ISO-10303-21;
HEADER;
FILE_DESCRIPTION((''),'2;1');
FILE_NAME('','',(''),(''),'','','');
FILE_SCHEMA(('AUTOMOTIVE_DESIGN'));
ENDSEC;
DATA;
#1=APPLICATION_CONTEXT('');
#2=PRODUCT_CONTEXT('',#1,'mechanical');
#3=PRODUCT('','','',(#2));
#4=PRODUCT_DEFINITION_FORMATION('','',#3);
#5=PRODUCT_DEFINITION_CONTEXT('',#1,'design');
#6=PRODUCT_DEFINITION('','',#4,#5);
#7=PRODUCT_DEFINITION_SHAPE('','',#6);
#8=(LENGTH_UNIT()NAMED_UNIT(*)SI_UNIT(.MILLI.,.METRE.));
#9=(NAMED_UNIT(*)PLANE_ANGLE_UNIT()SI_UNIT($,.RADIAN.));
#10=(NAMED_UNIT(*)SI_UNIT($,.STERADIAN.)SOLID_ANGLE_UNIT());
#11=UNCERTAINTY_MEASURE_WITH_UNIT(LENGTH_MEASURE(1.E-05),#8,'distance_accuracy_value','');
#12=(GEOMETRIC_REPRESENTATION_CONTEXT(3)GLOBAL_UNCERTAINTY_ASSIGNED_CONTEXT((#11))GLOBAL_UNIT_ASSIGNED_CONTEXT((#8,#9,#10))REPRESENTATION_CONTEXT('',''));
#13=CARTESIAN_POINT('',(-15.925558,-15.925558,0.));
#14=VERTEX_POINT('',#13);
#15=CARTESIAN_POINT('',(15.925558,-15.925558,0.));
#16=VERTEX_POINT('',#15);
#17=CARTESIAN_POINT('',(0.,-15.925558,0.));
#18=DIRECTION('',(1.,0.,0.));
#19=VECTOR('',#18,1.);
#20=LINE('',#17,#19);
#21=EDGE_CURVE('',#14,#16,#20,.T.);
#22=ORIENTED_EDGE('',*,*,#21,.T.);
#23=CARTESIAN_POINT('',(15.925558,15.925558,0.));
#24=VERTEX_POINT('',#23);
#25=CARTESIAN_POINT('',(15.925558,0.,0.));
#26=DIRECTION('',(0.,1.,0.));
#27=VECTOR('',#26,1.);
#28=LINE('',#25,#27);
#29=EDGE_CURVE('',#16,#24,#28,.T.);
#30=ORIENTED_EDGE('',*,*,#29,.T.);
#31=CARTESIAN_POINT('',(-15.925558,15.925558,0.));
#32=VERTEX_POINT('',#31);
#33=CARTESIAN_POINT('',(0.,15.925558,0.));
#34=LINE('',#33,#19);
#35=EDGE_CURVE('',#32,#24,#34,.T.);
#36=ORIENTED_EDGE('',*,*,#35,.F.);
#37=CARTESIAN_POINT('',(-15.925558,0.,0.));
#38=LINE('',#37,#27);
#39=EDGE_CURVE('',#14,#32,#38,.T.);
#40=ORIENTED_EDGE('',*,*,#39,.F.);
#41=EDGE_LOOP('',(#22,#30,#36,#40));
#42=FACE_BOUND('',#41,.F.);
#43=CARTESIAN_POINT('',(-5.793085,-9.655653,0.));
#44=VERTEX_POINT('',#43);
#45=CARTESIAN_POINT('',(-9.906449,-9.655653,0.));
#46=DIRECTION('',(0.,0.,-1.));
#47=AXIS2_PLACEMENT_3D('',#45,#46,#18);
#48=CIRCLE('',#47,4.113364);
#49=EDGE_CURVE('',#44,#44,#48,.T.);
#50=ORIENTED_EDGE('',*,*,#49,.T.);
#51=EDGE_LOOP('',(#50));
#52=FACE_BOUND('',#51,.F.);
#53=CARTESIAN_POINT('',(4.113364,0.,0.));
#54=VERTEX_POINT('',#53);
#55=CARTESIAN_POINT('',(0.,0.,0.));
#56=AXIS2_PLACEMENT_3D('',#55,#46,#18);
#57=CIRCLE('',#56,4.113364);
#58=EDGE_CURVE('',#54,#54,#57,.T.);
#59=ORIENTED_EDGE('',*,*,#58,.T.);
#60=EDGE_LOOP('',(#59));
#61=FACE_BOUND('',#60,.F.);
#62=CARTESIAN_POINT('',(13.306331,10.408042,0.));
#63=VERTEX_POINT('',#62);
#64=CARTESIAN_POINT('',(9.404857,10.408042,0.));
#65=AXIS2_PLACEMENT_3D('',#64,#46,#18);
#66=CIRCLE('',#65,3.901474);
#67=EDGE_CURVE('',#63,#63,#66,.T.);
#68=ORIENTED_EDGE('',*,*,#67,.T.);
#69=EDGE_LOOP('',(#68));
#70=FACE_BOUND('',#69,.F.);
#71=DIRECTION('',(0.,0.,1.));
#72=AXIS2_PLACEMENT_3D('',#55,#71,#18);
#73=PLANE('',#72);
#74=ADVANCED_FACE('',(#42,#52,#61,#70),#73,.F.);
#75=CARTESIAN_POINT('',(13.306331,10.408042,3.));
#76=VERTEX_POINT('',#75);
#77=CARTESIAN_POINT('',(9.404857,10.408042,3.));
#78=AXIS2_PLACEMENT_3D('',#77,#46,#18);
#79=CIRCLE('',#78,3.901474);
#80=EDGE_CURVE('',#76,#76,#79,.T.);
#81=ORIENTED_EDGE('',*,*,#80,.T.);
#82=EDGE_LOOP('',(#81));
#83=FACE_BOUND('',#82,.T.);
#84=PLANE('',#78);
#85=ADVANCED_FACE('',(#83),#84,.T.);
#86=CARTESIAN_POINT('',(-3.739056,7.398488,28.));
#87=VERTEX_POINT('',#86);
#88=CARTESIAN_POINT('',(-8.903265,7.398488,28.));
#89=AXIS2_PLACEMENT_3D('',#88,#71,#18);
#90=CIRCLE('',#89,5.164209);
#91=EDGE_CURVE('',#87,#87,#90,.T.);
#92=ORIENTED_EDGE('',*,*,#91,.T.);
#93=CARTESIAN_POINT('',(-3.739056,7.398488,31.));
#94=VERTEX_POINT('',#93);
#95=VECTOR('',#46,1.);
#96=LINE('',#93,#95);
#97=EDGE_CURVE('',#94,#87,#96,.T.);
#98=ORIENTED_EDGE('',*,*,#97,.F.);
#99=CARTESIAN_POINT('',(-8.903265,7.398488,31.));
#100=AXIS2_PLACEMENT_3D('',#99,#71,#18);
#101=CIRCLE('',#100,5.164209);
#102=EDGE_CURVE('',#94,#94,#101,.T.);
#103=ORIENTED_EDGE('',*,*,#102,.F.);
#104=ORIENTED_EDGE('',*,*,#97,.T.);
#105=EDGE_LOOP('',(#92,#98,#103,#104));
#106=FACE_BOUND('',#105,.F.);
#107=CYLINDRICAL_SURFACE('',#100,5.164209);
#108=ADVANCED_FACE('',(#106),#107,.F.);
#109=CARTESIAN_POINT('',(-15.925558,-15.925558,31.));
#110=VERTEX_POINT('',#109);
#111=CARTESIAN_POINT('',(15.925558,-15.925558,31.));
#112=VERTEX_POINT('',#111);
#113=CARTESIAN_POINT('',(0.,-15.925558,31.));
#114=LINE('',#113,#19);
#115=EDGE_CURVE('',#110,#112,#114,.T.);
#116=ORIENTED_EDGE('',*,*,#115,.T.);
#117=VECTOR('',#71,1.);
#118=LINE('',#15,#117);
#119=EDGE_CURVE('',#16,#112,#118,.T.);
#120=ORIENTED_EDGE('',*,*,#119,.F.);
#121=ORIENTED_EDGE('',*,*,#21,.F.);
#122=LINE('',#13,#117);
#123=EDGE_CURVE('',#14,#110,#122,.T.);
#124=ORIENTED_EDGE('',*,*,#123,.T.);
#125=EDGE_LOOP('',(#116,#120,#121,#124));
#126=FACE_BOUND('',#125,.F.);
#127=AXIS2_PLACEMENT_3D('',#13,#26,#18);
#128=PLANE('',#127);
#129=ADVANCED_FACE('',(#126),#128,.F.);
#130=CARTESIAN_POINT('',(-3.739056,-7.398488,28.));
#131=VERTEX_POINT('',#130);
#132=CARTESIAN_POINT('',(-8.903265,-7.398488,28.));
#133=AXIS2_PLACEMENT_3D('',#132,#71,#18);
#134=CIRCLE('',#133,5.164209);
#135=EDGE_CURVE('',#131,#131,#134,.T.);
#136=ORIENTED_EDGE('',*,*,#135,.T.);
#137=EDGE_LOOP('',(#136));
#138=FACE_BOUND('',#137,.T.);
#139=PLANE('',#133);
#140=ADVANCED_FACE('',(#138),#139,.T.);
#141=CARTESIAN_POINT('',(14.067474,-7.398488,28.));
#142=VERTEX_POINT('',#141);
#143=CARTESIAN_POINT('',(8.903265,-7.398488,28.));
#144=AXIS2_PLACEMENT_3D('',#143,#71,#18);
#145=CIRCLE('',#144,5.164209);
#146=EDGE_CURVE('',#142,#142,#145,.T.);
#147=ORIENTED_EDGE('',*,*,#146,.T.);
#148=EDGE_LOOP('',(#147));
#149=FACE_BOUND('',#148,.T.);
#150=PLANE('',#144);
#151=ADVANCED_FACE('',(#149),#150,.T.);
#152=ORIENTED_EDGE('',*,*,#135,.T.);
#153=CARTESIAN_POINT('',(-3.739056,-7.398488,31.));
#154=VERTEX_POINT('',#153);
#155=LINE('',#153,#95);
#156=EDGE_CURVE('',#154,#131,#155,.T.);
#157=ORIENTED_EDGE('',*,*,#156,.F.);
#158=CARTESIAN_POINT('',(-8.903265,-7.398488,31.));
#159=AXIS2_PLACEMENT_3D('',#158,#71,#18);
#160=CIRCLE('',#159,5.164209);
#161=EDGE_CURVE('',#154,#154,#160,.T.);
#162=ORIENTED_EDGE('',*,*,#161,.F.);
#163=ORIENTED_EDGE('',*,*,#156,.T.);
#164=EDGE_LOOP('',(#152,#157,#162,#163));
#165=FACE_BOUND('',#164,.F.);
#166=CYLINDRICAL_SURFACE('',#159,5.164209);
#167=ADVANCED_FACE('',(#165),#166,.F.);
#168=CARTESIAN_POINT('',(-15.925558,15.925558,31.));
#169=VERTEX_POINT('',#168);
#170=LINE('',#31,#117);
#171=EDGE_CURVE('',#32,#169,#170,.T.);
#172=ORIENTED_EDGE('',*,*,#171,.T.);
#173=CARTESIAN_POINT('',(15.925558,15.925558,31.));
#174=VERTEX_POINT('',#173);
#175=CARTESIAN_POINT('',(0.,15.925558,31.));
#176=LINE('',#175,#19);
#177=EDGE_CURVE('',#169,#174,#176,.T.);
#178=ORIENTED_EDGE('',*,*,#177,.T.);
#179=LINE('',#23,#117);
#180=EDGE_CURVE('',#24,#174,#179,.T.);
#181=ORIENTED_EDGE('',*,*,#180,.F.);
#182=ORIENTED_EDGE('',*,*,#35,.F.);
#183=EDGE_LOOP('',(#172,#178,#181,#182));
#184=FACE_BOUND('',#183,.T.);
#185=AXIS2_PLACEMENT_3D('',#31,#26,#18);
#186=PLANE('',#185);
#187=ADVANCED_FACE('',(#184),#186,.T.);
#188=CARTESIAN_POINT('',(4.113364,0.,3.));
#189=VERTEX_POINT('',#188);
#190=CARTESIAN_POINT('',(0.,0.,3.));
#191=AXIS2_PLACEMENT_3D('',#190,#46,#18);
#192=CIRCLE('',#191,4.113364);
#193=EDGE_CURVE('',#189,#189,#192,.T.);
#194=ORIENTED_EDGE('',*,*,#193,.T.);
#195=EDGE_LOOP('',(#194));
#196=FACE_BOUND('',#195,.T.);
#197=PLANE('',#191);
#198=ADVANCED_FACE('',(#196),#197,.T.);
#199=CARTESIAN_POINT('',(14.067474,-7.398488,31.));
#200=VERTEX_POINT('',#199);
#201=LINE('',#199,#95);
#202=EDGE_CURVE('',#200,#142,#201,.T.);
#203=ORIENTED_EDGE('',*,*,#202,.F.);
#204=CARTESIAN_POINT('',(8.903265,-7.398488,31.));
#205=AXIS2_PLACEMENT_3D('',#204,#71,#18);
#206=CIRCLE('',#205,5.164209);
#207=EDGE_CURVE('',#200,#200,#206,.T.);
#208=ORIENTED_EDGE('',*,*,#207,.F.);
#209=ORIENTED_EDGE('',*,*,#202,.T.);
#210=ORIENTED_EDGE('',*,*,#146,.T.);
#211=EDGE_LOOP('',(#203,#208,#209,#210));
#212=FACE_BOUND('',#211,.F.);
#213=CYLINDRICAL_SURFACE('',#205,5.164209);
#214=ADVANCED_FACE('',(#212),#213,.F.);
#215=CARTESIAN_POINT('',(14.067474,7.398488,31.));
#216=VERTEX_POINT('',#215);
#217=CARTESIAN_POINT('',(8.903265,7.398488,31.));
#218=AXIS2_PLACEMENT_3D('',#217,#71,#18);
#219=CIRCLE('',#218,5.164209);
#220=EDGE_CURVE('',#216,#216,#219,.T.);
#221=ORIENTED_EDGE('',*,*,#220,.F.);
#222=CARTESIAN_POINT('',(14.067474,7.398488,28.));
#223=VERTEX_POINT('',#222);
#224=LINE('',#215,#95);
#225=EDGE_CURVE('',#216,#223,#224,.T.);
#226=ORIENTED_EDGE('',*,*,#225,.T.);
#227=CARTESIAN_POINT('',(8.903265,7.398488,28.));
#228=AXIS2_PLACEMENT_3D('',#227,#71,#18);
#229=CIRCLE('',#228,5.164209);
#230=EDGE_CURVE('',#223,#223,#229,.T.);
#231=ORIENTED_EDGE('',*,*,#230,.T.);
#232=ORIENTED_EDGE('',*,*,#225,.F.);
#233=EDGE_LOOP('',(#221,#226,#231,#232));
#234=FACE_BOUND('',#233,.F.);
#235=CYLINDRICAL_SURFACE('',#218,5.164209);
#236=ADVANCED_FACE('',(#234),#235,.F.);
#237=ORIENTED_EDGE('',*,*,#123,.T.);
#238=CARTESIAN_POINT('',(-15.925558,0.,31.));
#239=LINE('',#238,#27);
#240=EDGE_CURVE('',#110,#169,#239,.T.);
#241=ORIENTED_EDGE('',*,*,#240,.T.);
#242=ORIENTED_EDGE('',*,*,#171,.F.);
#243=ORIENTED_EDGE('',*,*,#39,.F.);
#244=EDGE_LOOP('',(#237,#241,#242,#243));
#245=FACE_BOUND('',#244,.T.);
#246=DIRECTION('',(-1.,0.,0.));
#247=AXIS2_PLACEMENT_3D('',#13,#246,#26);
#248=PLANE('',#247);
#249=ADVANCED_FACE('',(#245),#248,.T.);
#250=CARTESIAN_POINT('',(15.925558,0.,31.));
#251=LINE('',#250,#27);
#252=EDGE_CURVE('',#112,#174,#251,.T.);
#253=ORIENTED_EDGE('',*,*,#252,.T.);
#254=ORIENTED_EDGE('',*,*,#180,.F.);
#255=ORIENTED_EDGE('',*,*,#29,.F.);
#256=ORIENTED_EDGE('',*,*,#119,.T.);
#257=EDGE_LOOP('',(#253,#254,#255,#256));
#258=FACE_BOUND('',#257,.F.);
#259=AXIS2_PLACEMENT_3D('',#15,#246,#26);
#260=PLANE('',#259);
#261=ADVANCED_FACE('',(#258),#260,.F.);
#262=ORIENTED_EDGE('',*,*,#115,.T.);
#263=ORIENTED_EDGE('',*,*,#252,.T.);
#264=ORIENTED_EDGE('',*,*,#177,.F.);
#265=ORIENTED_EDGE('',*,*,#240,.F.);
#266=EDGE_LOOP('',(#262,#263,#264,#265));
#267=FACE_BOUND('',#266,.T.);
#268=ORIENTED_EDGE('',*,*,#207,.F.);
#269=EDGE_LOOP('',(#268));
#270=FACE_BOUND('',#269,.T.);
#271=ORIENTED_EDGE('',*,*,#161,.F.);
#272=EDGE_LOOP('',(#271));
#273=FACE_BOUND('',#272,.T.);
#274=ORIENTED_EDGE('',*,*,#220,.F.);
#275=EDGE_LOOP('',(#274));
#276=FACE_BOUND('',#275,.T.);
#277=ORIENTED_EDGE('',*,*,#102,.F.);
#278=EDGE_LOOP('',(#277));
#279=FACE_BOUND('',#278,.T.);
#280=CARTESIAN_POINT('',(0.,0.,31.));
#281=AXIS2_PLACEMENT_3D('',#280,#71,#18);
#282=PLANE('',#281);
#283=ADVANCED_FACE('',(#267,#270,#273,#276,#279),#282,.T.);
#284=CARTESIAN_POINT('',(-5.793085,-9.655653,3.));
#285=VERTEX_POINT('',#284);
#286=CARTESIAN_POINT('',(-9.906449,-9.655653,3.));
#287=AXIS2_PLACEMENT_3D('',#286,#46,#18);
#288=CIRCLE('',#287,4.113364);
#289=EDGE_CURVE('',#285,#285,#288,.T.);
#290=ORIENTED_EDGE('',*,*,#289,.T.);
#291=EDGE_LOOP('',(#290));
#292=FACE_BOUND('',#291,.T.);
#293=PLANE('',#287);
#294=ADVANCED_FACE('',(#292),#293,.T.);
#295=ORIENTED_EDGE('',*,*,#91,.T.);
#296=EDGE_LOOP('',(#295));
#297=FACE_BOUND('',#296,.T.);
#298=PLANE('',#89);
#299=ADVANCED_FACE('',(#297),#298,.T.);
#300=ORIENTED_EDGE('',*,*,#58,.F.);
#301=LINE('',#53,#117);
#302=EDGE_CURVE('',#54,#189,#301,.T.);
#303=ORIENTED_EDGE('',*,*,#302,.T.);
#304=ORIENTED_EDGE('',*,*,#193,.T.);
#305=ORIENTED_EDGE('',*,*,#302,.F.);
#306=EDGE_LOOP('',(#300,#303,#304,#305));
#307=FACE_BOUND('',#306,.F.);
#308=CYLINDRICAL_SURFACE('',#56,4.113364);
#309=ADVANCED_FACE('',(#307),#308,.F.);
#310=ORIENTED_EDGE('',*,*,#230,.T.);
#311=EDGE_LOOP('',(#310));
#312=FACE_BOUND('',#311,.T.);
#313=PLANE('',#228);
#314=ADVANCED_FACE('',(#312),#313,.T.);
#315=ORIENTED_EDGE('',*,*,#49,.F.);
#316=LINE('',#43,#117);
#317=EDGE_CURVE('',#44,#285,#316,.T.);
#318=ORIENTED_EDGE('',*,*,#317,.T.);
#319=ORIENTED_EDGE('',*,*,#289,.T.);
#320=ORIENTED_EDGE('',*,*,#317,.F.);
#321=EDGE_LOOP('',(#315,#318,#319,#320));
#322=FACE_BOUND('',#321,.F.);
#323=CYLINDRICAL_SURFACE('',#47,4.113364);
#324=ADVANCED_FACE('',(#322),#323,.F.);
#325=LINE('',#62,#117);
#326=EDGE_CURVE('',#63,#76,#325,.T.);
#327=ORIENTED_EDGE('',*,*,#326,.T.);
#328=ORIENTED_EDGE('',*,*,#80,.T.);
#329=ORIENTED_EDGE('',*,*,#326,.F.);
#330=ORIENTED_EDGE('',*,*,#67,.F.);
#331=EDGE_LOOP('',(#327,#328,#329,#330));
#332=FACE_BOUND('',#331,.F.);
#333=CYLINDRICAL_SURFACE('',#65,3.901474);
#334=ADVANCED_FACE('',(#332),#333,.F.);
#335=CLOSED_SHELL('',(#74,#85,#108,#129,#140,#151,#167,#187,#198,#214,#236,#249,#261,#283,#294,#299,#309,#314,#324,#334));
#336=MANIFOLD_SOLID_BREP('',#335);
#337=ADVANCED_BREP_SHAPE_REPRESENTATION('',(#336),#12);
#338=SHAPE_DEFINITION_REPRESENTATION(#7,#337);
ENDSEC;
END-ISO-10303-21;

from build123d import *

# Parameters (mm, degrees)
F0_W     = 31.851116
F0_H     = 31.851116
F1_DEPTH = 31
F2_R     = 5.164209
F3_DEPTH = 3
F4_R     = 4.113364
F4_R_2   = 3.901474
F5_DEPTH = 3


with BuildPart() as f1:
    # F0 (on Top) → F1 (new body)
    with BuildSketch(Plane.XY):
        Rectangle(F0_W, F0_H)
    extrude(amount=F1_DEPTH)

    # F2 (on face) → F3 (cut)
    with BuildSketch(Plane.XY.offset(31)):
        with Locations((-8.903265, 7.398488)):
            Circle(F2_R)
        with Locations((8.903265, 7.398488)):
            Circle(F2_R)
        with Locations((8.903265, -7.398488)):
            Circle(F2_R)
        with Locations((-8.903265, -7.398488)):
            Circle(F2_R)
    extrude(amount=-F3_DEPTH, mode=Mode.SUBTRACT)

    # F4 (on face) → F5 (cut)
    with BuildSketch(Plane(origin=(0, 0, 0), x_dir=(1, 0, 0), z_dir=(0, 0, -1))):
        with Locations((-9.906449, 9.655653)):
            Circle(F4_R)
        Circle(F4_R)
        with Locations((9.404857, -10.408042)):
            Circle(F4_R_2)
    extrude(amount=-F5_DEPTH, mode=Mode.SUBTRACT)


solid = f1.part
